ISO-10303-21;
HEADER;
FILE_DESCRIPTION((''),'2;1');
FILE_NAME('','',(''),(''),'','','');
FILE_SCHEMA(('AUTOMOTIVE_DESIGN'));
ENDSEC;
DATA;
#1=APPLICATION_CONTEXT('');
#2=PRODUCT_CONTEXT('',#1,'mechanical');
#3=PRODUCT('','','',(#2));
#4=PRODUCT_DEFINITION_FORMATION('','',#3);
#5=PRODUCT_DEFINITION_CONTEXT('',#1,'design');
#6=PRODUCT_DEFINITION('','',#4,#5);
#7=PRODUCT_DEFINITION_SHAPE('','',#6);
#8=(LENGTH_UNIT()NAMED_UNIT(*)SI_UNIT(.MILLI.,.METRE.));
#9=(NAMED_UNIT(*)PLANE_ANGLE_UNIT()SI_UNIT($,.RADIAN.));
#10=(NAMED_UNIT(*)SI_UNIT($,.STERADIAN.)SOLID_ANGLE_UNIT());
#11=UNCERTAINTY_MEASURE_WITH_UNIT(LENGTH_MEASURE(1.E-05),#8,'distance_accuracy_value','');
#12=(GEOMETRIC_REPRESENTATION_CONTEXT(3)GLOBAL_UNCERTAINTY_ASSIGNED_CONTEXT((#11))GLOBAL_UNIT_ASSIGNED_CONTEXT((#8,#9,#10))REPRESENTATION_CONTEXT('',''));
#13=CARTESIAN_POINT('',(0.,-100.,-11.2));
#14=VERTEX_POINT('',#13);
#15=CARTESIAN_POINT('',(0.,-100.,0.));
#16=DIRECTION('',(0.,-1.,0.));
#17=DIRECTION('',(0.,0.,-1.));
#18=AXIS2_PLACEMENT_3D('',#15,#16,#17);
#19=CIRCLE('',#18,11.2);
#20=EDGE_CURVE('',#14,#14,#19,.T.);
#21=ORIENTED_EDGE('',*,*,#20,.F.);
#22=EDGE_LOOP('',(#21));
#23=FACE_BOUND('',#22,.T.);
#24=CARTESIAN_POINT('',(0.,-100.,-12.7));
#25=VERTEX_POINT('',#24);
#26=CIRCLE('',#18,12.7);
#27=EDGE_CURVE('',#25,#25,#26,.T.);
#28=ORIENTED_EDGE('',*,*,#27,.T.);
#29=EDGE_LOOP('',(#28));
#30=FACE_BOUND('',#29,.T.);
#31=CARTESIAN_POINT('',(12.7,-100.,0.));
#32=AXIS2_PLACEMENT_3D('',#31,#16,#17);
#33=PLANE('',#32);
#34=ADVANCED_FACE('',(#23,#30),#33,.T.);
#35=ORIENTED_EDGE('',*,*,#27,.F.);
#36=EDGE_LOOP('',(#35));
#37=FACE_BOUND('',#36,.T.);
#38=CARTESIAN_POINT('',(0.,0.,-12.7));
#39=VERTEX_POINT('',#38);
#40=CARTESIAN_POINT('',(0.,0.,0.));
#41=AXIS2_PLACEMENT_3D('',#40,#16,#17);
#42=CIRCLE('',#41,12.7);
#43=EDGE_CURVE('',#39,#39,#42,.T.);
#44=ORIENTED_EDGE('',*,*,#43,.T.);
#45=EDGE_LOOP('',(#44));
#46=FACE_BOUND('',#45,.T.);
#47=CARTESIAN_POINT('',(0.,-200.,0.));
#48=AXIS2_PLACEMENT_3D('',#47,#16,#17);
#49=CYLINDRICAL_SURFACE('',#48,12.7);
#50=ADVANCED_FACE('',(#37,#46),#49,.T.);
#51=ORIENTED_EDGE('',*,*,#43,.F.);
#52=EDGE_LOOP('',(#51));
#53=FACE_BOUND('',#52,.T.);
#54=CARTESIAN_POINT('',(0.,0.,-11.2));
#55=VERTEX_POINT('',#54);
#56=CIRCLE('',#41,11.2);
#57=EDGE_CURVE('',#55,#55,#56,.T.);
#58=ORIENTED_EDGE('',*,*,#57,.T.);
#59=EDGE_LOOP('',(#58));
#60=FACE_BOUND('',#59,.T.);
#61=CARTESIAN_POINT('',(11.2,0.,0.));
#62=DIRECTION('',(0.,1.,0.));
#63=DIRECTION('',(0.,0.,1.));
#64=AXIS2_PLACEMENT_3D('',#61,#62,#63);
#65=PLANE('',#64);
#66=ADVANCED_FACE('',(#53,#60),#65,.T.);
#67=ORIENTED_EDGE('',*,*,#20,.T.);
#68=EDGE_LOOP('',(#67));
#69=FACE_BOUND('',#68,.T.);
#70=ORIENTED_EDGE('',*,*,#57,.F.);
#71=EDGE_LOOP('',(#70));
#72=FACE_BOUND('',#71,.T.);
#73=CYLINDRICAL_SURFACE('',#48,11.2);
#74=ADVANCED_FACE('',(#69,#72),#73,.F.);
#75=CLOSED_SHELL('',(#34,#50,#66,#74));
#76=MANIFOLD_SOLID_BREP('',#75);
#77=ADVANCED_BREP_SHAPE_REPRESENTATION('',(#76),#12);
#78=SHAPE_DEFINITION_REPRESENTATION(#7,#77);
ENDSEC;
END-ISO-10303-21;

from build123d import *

# Parameters (mm, degrees)
SKETCH1_W = 1.5
SKETCH1_H = 100


with BuildPart() as part:
    # Sketch1 → Revolve1 (revolve)
    with BuildSketch(Plane.XY, mode=Mode.PRIVATE) as revolve1_sk:
        with Locations((11.95, -50)):
            Rectangle(SKETCH1_W, SKETCH1_H)
    revolve(revolve1_sk.sketch.rotate(Axis((0, -200, 0), (0, 1, 0)), 90), axis=Axis((0, -200, 0), (0, 1, 0)))


solid = part.part
